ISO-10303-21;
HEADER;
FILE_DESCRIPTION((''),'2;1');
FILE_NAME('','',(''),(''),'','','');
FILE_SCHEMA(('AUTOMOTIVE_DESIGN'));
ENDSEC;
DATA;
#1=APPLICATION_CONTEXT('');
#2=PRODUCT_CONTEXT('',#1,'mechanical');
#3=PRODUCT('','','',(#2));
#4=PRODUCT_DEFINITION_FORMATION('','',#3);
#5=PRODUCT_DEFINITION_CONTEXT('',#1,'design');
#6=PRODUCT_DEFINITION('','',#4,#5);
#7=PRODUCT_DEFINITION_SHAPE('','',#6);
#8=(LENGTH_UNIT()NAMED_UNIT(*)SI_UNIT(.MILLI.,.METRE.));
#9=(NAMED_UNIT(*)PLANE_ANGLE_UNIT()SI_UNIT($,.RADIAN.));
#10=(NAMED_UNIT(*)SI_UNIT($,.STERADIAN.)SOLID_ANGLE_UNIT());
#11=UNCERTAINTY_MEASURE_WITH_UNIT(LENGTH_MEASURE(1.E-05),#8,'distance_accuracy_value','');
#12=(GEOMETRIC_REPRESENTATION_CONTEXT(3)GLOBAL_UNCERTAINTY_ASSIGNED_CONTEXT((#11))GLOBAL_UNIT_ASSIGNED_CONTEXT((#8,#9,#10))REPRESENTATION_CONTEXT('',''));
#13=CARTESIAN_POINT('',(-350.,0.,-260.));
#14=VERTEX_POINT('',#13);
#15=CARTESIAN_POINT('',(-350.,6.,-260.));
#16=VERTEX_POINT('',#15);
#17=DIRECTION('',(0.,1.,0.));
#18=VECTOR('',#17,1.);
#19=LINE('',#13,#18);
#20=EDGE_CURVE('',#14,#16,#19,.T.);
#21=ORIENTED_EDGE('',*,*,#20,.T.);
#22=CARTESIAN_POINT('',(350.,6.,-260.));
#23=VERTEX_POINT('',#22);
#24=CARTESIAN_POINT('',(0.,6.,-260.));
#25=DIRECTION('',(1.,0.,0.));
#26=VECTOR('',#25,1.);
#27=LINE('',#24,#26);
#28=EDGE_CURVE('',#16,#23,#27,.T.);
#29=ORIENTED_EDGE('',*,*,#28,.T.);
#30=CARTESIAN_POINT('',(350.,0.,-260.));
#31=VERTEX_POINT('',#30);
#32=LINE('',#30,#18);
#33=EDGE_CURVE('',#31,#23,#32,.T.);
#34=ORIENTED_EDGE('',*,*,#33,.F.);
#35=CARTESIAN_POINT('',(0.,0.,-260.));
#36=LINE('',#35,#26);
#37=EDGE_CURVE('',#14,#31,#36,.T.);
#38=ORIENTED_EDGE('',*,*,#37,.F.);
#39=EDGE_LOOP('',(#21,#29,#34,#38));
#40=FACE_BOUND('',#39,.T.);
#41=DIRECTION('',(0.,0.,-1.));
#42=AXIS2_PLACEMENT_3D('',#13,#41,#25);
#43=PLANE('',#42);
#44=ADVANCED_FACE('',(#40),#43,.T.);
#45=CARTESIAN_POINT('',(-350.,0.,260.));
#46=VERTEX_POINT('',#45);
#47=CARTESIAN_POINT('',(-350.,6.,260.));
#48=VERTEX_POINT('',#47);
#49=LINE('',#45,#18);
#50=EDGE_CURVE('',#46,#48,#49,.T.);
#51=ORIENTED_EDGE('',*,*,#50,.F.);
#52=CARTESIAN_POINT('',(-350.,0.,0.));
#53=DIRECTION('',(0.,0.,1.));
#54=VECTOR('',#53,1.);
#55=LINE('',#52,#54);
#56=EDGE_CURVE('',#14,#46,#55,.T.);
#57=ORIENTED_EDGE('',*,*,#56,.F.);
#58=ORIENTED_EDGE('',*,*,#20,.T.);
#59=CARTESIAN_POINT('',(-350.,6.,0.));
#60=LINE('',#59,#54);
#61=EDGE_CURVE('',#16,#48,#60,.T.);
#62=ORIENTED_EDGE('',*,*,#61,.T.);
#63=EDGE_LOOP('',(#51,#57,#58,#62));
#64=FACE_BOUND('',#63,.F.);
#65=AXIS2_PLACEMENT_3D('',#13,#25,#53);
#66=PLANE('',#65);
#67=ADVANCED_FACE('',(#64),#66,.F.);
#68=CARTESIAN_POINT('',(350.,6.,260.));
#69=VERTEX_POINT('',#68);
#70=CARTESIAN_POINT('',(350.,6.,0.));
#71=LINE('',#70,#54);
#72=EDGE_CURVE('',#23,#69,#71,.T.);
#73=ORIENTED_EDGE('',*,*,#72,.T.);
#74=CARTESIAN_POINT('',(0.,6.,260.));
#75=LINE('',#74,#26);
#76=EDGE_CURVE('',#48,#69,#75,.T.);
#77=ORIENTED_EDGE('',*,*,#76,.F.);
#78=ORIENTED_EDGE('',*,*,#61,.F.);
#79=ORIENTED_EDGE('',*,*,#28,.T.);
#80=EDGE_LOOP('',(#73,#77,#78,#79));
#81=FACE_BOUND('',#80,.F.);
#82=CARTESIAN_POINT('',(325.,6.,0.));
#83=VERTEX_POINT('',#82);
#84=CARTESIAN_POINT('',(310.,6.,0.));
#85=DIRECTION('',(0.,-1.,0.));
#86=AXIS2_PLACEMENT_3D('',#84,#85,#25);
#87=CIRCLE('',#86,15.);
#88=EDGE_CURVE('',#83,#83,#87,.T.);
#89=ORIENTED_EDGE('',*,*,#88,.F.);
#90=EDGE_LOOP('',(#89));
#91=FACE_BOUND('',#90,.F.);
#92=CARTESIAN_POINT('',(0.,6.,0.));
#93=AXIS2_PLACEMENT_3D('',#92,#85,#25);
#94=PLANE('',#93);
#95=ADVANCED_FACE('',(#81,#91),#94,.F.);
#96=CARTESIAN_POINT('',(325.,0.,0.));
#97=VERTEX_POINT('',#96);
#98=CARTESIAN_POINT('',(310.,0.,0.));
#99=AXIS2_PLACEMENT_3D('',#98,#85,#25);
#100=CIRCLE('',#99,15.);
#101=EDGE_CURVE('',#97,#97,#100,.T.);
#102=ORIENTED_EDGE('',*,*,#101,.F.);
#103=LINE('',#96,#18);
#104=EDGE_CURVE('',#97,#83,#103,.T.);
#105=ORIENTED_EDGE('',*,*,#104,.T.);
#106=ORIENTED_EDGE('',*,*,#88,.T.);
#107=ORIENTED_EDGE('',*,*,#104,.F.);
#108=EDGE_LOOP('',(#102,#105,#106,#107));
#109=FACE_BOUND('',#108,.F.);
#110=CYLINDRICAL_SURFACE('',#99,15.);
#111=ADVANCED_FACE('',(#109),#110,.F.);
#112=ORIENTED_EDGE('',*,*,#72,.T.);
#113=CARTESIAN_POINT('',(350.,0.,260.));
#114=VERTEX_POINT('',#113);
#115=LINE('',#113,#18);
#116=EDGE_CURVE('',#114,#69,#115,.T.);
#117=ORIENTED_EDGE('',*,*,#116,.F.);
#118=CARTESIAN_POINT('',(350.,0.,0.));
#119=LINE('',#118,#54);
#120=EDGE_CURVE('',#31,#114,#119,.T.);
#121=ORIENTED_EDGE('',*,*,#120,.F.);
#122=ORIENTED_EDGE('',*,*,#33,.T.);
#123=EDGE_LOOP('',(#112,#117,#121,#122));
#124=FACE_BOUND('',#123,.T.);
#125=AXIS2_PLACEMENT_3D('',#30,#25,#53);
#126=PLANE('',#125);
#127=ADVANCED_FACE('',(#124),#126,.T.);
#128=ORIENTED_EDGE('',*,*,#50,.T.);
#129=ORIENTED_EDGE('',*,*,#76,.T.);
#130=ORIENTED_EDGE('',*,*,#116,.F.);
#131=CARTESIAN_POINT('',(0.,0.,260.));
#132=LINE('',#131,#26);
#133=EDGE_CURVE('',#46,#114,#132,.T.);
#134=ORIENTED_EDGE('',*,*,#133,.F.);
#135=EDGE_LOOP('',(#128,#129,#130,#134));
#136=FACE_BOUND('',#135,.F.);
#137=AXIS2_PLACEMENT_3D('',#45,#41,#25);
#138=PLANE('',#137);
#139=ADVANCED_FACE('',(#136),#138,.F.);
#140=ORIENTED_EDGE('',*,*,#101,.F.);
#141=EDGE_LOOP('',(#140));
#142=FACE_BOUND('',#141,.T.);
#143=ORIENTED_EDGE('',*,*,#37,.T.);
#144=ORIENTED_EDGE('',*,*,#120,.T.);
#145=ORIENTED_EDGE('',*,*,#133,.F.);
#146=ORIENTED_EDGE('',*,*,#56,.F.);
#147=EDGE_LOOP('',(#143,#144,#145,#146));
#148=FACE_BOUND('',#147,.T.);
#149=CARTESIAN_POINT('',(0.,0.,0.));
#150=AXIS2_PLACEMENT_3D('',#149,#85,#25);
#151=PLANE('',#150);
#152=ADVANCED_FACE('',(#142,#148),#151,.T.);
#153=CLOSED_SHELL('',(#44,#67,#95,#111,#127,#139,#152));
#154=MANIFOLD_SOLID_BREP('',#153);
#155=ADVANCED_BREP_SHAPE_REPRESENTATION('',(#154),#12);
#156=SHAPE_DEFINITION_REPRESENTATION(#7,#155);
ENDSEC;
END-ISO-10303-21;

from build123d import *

# Parameters (mm, degrees)
F0_W     = 700
F0_H     = 520
F0_R     = 15
F1_DEPTH = 6


with BuildPart() as f1:
    # F0 (on Front) → F1 (new body)
    with BuildSketch(Plane.XZ):
        Rectangle(F0_W, F0_H)
        with Locations((310, 0)):
            Circle(F0_R, mode=Mode.SUBTRACT)
    extrude(amount=-F1_DEPTH)


solid = f1.part
